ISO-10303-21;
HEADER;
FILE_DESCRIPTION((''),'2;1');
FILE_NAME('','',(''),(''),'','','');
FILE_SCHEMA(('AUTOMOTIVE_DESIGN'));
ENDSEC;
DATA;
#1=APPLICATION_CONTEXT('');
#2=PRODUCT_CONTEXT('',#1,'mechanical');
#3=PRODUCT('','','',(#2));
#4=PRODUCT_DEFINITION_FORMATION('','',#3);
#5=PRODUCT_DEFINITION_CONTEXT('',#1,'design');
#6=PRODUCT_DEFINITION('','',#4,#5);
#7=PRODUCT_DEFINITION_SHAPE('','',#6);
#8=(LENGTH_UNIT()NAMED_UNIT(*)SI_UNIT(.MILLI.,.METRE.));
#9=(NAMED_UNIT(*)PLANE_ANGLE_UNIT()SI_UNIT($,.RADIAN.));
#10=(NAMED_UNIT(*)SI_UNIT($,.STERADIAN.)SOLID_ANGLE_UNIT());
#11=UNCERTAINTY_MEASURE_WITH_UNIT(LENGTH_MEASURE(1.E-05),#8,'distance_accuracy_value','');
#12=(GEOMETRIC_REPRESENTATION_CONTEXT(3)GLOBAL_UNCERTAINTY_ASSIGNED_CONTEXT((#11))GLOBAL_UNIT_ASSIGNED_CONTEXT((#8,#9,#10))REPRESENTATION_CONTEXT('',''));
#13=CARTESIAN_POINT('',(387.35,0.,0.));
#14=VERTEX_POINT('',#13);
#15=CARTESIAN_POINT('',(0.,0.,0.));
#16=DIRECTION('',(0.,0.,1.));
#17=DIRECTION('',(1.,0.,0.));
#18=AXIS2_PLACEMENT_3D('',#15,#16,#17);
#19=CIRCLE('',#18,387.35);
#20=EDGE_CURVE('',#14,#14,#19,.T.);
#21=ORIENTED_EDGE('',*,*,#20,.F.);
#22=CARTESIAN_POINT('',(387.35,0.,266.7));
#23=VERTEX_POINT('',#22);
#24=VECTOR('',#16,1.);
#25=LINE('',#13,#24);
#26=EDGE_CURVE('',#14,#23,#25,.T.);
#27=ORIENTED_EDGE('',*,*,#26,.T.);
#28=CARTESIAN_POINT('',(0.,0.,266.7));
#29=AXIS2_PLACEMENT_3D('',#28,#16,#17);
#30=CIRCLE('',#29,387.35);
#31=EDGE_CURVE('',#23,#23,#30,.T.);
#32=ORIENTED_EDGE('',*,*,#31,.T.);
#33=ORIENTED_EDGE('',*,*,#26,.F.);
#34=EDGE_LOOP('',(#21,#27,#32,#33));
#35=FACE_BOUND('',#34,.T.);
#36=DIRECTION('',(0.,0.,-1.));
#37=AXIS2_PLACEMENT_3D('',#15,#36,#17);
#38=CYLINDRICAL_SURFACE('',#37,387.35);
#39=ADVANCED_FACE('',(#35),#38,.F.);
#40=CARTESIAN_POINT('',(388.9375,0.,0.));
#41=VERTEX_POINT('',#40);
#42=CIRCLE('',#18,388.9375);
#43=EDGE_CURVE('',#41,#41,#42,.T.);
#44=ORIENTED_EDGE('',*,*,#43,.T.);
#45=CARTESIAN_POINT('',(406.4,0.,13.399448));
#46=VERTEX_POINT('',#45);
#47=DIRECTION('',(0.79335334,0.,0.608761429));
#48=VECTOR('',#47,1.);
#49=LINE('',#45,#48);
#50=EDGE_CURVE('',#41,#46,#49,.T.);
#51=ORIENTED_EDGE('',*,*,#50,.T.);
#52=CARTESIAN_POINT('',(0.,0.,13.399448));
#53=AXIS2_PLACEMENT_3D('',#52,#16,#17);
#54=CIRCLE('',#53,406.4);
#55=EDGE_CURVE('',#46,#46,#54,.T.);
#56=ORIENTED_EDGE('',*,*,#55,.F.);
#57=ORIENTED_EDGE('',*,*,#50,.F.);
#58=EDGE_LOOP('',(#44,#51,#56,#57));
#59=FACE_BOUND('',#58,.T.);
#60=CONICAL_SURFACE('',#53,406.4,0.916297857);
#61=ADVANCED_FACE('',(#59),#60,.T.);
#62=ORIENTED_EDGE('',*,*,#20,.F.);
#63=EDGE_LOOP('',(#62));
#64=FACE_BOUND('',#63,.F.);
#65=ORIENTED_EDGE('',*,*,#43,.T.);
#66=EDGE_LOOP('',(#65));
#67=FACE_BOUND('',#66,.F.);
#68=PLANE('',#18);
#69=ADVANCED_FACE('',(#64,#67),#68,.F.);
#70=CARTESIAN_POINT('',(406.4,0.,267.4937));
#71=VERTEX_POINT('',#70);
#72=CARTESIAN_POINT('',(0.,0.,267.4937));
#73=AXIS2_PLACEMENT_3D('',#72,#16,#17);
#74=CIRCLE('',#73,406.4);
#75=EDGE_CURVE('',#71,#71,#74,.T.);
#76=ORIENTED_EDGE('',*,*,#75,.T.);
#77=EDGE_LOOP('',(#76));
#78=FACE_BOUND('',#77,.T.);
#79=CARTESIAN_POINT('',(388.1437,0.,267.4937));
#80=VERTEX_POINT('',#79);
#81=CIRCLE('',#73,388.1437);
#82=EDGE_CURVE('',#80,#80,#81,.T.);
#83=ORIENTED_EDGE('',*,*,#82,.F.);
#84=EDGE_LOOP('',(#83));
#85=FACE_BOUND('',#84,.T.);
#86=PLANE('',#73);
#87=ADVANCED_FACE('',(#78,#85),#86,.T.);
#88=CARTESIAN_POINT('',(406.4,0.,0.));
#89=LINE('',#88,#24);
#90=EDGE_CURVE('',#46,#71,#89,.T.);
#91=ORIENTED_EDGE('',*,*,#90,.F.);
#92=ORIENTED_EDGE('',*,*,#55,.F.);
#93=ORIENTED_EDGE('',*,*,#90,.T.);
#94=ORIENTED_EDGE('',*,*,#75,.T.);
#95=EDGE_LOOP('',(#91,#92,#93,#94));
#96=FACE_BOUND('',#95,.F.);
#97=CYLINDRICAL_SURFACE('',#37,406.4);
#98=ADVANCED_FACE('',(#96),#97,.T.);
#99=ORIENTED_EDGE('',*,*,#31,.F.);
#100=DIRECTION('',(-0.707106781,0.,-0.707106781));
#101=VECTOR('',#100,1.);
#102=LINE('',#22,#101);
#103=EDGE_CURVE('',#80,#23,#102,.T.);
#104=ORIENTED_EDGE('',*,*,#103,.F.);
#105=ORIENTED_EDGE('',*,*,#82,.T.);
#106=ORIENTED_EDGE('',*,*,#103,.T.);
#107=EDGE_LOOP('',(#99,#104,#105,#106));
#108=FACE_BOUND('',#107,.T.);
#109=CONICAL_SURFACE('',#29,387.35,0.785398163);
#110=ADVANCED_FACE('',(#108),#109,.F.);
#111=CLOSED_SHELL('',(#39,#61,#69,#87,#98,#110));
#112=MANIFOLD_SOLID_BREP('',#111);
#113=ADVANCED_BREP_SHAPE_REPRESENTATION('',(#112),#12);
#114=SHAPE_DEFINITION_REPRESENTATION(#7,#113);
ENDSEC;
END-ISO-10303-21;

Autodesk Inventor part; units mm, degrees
ref_plane "YZ Plane" through (0, 0, 0) normal (1, 0, 0) x (0, 1, 0)
ref_plane "XZ Plane" through (0, 0, 0) normal (0, 1, 0) x (-1, 0, 0)
sketch "Sketch1" plane through (0, 0, 0) normal (0, 0, 1) x (1, 0, 0)
  circle A0 centre (0, 0) radius 406.4
  circle A1 centre (0, 0) radius 387.35
  dimension "d0" = 812.8
  dimension "d1" = 774.7
extrude "Extrusion1" add sketch "Sketch1" along normal blind 267.4937
chamfer "Chamfer1" distance 17.4625 angle 37.5 1 edges at (-406.4, 0, 0) measured on face at (-399.72, -9.4497, 0)
ref_plane "Work Plane2" through (0, 0, 235.7438) normal (0, 0, 1) x (1, 0, 0)
ref_plane "Work Plane1" through (0, 0, 216.6938) normal (0, 0, 1) x (1, 0, 0)
split_face "Split1"
split_face "Split2"
chamfer "Chamfer2" distance 0.7937 angle 45 1 edges at (-387.35, 0, 267.4937)
properties part number "A1-19037-100-03 32in pipe" material "Steel, Mild"
